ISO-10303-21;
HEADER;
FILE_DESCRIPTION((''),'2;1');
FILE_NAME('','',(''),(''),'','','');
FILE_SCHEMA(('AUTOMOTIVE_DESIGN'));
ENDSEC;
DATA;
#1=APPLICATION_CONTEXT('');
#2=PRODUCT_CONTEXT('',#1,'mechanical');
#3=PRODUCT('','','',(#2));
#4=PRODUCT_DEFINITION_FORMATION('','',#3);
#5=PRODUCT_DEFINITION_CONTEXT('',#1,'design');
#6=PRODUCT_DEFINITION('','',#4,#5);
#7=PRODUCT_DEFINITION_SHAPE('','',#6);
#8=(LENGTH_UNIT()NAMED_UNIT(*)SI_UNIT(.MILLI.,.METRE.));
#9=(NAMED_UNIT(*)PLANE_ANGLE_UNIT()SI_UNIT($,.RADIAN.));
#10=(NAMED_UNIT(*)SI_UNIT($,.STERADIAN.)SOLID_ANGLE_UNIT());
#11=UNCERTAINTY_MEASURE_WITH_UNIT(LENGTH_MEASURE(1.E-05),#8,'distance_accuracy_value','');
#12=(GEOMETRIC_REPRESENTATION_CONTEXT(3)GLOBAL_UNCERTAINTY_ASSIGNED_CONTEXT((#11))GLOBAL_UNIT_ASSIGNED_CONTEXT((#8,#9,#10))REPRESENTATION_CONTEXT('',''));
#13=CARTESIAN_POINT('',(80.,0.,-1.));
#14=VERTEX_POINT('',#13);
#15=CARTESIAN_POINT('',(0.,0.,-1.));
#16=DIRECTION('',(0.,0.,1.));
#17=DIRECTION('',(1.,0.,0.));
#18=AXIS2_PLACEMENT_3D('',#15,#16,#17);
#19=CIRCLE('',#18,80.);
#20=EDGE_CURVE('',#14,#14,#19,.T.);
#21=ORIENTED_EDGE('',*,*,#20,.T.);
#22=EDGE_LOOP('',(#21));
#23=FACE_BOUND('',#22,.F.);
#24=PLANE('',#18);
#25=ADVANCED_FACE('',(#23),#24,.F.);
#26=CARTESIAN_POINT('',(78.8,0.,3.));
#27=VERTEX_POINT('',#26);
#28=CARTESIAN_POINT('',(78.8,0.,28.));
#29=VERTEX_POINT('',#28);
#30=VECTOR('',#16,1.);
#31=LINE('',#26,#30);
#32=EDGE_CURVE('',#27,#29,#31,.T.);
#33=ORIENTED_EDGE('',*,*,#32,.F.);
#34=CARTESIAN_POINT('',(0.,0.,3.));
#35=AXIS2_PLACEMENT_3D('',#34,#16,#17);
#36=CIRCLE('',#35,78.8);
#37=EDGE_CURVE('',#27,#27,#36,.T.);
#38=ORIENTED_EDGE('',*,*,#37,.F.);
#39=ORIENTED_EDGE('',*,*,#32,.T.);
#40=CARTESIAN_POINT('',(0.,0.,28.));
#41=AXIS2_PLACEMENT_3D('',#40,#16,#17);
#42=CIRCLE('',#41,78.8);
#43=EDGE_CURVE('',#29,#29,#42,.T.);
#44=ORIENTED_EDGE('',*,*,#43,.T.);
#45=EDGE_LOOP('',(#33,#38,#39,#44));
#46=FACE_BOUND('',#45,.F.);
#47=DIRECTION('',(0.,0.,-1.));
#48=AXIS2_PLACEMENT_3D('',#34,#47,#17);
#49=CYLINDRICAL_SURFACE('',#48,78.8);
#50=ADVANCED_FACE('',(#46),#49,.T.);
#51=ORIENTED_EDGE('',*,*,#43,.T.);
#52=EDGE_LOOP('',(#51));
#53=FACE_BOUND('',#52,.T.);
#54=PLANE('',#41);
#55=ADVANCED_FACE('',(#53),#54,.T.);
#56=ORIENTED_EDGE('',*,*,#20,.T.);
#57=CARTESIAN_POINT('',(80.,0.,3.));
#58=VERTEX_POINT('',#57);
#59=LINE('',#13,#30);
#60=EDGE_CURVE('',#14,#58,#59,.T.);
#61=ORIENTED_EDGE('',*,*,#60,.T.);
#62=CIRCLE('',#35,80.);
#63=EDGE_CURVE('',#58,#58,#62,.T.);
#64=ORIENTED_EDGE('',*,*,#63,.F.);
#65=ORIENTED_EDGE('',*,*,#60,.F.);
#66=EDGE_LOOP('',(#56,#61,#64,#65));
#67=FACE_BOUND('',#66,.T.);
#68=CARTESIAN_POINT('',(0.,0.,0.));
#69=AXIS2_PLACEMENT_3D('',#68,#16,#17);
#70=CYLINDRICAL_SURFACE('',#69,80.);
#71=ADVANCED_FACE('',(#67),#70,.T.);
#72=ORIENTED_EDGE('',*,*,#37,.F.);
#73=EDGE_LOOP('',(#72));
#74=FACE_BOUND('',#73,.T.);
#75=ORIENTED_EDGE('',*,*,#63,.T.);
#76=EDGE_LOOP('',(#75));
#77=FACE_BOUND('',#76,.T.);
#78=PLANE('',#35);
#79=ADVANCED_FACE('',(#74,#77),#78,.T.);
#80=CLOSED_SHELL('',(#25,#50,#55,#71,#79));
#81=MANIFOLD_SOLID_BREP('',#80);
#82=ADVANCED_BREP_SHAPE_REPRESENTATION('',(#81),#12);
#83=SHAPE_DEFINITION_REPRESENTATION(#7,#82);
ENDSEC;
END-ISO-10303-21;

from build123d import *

# Parameters (mm, degrees)
F0_R     = 80
F1_DEPTH = 3
F2_R     = 78.8
F3_DEPTH = 25
F4_DEPTH = 1


with BuildPart() as f1:
    # F0 (on Top) → F1 (new body)
    with BuildSketch(Plane.XY):
        Circle(F0_R)
    extrude(amount=F1_DEPTH)

    # F2 (on face) → F3 (join)
    with BuildSketch(Plane.XY.offset(3)):
        Circle(F2_R)
    extrude(amount=F3_DEPTH)

    # F4 (add): a face of the model
    f4_faces = [f1.faces().sort_by_distance(p)[0] for p in [
        (0, 0, 0),
    ]]
    extrude(f4_faces, amount=F4_DEPTH)


solid = f1.part
